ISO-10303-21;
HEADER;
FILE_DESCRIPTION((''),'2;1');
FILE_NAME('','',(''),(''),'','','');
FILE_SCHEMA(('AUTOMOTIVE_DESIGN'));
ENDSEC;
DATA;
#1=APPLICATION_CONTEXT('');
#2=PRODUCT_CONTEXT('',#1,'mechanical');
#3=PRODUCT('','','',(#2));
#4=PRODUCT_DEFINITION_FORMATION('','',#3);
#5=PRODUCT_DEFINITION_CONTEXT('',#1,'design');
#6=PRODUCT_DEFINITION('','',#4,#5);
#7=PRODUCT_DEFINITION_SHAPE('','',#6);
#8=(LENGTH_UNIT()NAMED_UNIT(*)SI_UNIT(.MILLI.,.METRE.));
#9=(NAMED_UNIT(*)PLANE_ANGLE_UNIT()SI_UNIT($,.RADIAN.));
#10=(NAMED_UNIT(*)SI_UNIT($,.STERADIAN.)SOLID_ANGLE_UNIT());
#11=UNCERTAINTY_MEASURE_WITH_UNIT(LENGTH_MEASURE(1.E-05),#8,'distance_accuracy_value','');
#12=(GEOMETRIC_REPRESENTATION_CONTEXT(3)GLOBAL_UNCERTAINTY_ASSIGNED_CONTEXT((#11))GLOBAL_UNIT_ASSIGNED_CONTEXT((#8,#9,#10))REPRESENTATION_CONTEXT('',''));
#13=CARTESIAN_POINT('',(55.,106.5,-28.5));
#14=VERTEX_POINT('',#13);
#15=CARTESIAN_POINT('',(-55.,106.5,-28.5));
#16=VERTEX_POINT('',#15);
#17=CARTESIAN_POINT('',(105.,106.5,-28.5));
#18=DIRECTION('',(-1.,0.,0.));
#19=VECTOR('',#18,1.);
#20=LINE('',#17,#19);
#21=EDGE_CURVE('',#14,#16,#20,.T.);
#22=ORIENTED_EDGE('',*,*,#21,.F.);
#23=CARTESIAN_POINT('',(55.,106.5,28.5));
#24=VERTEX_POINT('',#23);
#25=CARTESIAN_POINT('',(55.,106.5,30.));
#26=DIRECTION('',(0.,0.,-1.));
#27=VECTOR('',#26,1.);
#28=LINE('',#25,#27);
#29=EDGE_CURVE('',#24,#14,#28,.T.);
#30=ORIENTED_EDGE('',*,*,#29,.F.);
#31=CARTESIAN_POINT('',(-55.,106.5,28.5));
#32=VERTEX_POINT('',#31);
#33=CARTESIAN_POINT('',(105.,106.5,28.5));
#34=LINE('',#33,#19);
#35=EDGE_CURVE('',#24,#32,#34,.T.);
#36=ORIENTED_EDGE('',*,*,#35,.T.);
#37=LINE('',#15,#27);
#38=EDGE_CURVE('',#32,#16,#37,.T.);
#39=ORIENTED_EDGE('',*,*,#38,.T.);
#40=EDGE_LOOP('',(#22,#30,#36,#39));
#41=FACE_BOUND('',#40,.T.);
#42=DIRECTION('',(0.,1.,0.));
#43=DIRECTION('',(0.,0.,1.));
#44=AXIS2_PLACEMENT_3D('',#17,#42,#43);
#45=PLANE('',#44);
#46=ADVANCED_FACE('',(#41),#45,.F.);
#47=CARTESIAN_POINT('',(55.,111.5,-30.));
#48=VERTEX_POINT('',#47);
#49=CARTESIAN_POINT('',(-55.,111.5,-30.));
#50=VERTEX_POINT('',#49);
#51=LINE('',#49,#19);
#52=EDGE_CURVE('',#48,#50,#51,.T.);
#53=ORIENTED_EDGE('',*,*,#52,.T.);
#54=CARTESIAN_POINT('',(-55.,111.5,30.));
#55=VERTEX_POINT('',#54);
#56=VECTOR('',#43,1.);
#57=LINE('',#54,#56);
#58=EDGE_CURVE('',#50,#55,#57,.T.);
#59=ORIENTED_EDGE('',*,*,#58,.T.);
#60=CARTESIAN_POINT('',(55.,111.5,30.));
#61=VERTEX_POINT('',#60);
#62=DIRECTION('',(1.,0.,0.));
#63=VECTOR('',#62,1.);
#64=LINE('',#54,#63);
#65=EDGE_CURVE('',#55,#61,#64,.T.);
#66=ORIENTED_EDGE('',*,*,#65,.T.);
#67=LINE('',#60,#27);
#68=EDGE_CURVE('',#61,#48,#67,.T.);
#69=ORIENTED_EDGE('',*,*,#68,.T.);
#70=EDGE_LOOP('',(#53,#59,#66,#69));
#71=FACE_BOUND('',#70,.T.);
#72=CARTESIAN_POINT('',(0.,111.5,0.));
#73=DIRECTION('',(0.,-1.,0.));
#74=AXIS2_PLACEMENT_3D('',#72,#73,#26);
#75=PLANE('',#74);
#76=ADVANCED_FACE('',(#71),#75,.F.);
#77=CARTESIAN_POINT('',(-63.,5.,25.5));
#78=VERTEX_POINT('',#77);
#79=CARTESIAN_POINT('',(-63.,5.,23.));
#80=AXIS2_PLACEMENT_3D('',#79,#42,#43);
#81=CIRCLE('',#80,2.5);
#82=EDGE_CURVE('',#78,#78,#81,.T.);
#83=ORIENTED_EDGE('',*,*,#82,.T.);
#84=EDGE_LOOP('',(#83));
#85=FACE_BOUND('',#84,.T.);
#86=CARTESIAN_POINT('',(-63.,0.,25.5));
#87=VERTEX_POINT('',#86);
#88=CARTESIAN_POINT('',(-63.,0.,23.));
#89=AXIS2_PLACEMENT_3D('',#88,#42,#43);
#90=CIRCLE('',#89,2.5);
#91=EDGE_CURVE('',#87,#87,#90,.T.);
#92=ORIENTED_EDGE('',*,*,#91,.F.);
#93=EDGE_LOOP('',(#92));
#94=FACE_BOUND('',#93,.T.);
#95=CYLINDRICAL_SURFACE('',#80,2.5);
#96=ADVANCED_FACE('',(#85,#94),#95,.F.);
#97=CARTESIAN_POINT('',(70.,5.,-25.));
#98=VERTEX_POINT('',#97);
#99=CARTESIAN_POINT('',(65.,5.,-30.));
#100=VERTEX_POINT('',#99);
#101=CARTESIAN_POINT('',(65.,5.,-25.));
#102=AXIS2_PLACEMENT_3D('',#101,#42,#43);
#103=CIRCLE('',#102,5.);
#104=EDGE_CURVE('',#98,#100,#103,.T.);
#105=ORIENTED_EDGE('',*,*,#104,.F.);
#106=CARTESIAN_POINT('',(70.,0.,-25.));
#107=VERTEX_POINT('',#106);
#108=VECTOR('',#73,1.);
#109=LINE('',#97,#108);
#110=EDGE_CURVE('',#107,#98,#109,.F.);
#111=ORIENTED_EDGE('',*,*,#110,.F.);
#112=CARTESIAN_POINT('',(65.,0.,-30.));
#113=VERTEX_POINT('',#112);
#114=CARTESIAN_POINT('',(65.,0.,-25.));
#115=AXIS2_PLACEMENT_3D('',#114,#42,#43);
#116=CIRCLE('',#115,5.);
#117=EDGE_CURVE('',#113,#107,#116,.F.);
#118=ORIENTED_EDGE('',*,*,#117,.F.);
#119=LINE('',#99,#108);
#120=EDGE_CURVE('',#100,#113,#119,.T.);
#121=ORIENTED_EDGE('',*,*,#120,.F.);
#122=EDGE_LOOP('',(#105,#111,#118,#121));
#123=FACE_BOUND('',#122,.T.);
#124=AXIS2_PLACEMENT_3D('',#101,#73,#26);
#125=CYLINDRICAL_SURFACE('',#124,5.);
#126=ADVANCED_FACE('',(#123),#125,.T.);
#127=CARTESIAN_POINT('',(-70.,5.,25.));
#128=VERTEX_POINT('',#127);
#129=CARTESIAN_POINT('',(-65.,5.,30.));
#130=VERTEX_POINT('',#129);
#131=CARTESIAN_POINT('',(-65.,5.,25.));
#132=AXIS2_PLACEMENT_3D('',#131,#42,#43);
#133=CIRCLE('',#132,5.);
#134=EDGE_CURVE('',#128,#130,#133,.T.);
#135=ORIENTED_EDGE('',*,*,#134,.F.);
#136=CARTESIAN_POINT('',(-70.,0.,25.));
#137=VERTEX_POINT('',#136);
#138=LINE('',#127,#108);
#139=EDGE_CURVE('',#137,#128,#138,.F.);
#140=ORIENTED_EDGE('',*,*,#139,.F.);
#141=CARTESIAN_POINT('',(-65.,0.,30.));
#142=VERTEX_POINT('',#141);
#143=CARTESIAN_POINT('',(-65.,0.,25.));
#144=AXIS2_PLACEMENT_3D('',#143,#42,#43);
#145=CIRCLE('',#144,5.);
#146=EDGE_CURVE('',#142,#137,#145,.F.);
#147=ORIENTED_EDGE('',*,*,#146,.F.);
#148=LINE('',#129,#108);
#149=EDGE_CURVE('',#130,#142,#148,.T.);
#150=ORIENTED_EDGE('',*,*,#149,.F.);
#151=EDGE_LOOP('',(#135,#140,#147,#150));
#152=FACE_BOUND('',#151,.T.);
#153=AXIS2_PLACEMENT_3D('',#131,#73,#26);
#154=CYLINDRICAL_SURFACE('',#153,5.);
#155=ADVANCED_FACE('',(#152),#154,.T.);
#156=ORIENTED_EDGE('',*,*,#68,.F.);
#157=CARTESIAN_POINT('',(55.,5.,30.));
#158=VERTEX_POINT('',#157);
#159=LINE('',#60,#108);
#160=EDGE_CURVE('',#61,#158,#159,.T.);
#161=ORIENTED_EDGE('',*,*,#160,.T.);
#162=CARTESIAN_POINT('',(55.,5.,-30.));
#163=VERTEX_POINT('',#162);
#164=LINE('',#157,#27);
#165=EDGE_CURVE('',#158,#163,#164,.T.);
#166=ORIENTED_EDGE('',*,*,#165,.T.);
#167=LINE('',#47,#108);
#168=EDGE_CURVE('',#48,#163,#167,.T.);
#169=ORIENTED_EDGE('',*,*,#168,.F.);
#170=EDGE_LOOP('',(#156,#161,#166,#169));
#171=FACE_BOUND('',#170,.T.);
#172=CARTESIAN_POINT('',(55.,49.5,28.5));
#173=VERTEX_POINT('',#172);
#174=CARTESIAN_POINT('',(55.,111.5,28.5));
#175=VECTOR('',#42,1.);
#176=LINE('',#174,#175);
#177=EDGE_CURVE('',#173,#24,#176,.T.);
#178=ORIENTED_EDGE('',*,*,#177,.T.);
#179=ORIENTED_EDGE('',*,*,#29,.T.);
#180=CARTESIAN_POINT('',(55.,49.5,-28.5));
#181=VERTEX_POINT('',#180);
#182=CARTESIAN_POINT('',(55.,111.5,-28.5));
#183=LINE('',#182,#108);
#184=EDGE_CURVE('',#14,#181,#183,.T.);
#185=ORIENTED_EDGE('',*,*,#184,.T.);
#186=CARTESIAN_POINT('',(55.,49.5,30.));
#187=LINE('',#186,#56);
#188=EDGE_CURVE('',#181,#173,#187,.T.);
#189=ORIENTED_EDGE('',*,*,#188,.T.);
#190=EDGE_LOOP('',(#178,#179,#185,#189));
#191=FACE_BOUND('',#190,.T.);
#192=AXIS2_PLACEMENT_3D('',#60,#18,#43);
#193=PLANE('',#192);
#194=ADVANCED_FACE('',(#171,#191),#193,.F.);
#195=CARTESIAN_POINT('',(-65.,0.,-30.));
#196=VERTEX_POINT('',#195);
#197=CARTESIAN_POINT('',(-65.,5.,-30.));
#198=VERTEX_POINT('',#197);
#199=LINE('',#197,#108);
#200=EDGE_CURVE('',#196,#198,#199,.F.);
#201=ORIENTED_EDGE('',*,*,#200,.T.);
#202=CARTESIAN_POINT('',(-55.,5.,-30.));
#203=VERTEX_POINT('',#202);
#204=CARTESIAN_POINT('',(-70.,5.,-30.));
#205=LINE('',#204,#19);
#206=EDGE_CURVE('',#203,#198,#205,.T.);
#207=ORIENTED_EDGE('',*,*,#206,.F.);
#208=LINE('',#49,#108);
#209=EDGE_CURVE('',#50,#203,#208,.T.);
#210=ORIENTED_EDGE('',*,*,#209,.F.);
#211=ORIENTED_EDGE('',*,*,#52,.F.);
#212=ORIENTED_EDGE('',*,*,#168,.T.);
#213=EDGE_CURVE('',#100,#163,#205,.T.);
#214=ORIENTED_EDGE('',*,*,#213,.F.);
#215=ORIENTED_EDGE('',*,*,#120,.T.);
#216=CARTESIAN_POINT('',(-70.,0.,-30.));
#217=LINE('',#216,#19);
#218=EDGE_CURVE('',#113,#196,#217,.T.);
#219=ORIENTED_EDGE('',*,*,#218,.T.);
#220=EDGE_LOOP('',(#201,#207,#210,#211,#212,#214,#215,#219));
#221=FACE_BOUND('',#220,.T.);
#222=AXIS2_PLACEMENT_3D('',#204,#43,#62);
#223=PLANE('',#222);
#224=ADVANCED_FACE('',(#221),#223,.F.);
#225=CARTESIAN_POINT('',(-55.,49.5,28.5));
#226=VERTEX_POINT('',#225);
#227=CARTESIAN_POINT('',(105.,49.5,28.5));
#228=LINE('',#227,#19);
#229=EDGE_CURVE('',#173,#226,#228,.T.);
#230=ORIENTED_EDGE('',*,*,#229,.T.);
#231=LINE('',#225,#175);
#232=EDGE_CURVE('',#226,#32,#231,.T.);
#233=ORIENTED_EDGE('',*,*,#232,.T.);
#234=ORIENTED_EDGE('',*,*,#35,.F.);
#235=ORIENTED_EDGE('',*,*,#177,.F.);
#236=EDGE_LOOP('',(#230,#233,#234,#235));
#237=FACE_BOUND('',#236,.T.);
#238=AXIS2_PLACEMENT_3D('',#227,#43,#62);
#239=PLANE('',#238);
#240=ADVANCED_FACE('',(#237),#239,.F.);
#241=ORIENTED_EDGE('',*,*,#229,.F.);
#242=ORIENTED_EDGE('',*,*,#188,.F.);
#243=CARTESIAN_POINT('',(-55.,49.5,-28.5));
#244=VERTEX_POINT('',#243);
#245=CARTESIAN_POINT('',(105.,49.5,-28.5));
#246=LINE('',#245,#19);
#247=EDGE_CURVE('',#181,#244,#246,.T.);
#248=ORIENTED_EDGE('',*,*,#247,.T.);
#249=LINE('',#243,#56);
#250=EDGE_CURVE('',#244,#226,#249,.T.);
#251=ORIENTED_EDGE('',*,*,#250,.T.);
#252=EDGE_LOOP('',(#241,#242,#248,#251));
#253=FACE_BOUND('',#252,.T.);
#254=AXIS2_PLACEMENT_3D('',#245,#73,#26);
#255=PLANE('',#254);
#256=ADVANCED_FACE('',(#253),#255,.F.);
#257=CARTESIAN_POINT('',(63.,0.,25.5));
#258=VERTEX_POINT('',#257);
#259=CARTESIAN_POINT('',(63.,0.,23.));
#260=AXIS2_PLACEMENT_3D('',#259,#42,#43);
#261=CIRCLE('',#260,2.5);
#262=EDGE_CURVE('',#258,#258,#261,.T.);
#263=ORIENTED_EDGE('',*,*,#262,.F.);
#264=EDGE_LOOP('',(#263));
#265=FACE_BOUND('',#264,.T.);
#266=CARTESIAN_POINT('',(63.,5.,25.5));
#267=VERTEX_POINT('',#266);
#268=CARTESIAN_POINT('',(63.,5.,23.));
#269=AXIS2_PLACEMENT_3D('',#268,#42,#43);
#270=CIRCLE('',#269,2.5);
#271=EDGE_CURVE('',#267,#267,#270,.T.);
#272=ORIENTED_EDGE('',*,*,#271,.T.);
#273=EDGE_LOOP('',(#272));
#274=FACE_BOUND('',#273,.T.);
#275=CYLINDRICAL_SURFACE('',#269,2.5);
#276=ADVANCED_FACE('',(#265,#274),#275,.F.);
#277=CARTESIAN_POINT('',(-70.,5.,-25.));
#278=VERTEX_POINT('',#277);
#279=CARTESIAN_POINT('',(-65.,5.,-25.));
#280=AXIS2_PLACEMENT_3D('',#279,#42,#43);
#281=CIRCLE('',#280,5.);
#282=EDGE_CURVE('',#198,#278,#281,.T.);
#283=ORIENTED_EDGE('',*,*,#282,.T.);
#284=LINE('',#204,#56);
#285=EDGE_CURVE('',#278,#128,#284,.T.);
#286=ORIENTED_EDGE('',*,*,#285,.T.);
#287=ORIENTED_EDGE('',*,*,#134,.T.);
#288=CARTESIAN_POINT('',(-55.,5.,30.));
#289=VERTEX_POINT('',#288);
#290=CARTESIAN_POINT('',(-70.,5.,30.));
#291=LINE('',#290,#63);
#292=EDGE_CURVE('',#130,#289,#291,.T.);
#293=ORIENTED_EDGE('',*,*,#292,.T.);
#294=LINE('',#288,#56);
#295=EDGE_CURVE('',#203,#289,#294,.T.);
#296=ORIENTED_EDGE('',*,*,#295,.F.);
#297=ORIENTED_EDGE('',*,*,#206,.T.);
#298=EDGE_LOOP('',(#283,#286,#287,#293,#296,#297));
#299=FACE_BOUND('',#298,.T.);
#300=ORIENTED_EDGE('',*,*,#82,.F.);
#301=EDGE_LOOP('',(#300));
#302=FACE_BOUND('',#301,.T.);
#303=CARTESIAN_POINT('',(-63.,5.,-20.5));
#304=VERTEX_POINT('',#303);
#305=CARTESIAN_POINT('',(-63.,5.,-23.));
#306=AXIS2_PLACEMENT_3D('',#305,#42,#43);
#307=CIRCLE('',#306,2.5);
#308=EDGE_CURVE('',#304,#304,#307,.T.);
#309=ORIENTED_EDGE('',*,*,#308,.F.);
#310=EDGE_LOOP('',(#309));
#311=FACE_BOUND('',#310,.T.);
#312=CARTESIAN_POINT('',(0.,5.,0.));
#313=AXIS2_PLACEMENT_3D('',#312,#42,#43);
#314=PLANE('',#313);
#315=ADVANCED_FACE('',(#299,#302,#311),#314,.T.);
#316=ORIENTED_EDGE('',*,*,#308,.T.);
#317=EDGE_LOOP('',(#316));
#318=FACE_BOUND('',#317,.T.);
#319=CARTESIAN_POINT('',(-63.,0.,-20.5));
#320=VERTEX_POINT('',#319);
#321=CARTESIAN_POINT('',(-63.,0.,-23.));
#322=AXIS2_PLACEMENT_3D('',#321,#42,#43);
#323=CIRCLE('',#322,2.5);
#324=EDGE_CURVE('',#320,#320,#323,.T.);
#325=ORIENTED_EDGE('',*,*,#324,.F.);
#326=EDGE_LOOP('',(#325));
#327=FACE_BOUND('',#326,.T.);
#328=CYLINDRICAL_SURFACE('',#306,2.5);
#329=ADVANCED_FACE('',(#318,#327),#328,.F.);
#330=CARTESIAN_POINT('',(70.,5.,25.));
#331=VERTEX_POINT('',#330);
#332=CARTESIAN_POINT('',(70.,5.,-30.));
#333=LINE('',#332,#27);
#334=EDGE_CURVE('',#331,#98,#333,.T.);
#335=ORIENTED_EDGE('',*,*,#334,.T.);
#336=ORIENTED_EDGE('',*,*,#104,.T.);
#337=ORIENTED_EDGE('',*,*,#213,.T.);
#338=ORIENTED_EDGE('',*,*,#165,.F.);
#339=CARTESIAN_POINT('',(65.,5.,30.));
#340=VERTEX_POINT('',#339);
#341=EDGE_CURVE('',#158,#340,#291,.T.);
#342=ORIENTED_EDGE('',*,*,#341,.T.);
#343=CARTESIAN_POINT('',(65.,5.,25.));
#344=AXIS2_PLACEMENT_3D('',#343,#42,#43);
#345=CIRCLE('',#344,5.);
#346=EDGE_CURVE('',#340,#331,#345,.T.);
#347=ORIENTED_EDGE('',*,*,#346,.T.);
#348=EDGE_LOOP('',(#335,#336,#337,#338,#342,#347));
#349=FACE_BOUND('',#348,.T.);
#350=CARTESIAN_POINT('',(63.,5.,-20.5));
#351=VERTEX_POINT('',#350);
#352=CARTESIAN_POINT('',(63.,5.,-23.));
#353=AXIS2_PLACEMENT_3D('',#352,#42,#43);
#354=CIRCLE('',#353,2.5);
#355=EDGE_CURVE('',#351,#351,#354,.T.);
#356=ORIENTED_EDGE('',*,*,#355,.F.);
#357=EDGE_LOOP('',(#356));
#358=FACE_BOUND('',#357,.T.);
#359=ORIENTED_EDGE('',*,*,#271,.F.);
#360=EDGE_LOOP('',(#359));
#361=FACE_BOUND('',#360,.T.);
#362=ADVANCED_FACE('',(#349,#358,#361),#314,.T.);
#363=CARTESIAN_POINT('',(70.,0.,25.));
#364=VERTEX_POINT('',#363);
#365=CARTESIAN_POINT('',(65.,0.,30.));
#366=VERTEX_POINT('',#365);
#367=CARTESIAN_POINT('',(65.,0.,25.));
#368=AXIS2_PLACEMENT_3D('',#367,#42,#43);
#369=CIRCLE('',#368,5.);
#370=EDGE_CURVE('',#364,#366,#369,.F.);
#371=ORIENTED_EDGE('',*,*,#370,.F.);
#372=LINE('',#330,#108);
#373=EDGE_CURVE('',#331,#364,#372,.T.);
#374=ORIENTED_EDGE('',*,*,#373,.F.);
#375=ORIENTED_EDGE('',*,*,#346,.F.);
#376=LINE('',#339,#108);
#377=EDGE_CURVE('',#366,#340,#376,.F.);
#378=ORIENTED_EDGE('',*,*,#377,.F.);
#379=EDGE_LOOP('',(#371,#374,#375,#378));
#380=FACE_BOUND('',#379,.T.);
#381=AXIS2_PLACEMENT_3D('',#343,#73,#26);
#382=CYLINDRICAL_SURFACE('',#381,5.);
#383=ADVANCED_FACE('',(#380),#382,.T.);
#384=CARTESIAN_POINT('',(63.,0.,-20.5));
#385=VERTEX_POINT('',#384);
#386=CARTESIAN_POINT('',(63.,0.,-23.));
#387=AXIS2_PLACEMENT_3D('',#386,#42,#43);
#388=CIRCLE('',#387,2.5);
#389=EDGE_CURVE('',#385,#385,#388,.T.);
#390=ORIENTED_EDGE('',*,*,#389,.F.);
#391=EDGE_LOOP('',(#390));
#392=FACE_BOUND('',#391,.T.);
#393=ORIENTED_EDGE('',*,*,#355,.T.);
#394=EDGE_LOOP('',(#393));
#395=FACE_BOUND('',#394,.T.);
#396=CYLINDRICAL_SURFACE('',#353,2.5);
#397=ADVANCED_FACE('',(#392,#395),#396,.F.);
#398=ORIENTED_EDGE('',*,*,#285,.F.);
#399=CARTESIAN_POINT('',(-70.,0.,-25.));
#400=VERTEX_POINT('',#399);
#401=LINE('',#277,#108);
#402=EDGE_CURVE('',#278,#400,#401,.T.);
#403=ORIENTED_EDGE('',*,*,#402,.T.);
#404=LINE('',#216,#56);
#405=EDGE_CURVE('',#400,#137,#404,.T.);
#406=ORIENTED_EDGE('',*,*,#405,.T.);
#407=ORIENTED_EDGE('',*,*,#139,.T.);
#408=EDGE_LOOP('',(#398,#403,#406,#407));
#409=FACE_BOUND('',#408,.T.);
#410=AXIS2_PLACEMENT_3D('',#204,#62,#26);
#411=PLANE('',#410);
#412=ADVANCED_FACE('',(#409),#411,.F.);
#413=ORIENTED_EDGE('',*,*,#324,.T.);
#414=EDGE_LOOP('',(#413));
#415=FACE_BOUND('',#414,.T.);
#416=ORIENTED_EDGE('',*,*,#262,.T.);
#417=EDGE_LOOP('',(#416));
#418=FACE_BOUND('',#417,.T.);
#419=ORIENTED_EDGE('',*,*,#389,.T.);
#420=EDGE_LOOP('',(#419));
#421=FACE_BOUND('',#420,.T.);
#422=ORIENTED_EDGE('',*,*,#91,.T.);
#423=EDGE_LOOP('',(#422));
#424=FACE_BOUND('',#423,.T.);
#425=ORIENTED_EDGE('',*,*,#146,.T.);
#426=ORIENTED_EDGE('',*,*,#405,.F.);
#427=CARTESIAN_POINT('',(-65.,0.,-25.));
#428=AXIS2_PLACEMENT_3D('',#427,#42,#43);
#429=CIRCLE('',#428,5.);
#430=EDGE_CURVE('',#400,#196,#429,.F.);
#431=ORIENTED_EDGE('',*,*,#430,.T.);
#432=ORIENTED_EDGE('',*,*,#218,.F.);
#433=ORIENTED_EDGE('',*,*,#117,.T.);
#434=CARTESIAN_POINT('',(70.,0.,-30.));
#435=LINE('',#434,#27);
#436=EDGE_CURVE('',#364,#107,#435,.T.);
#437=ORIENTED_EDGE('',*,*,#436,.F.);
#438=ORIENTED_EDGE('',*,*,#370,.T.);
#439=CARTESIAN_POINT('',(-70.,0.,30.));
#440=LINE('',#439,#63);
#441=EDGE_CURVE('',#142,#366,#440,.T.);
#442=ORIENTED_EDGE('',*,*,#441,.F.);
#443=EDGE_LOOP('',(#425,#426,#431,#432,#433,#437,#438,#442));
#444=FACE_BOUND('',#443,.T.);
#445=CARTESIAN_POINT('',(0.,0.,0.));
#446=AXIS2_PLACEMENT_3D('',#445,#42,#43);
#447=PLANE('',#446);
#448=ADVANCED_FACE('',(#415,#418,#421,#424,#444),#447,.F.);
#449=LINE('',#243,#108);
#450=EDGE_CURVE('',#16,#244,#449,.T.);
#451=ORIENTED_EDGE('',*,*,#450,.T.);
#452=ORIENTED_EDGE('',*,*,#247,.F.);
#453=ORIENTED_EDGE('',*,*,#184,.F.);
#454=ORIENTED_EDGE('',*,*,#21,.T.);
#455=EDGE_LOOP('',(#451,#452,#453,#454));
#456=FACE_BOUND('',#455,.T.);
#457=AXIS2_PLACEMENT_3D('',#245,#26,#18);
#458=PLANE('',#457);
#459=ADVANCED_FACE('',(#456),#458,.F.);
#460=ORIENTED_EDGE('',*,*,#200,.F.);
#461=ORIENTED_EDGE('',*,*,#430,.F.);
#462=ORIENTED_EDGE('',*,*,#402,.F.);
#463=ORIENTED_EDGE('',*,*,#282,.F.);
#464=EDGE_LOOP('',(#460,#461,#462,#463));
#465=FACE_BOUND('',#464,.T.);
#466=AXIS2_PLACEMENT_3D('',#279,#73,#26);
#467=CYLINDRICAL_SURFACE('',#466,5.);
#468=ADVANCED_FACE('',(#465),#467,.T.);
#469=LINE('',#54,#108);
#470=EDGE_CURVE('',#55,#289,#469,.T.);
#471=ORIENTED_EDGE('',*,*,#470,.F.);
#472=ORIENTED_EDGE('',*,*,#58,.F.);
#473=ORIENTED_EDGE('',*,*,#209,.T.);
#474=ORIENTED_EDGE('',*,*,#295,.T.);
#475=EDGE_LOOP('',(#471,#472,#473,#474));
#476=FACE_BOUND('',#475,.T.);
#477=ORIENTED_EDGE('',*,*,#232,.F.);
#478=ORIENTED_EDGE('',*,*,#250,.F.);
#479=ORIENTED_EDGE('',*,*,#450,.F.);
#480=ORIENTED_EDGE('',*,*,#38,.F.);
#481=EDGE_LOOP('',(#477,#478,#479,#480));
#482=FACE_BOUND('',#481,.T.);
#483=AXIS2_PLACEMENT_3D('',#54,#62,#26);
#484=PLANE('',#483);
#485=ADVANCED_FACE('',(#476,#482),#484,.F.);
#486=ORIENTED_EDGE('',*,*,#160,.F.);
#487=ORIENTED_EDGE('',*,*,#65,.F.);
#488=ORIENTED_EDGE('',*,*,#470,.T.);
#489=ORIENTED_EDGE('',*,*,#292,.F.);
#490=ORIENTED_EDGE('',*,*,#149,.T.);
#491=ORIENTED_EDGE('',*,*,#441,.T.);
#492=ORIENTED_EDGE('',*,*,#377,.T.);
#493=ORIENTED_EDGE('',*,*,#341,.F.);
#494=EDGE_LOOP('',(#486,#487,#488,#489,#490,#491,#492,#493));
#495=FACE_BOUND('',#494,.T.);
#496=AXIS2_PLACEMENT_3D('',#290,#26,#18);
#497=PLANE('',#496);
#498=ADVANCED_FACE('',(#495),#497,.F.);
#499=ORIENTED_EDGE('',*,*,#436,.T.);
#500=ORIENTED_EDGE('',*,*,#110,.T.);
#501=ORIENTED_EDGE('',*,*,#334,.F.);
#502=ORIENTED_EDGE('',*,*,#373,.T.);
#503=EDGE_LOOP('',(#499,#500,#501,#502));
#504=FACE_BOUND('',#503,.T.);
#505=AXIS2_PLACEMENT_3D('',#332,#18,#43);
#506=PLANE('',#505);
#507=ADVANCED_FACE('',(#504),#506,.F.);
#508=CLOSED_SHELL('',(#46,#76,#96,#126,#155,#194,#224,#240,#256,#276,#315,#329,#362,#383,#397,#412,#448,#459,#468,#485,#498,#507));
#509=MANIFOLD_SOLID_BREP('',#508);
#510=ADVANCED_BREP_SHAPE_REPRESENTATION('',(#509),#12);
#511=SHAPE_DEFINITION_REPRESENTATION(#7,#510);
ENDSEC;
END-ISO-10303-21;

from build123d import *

# Parameters (mm, degrees)
SKETCH_1_W          = 140
SKETCH_1_H          = 60
EXTRUDE_3_DEPTH     = 5
SKETCH_3_W          = 110
SKETCH_3_H          = 60
EXTRUDE_4_DEPTH     = 106.5
FILLET_1_R          = 5
SKETCH_19_W         = 57
SKETCH_19_H         = 57
CUT_EXTRUDE_1_DEPTH = 160
HOLE_WIZARD_M6_2_D  = 5


with BuildPart() as part:
    # 草图1 → 凸台-拉伸3 (new body)
    with BuildSketch(Plane(origin=(0, 0, 0), x_dir=(1, 0, 0), z_dir=(0, 1, 0))):
        Rectangle(SKETCH_1_W, SKETCH_1_H)
    extrude(amount=EXTRUDE_3_DEPTH)

    # 草图3 → 凸台-拉伸4 (add)
    with BuildSketch(Plane(origin=(0, 5, 0), x_dir=(1, 0, 0), z_dir=(0, 1, 0))):
        Rectangle(SKETCH_3_W, SKETCH_3_H)
    extrude(amount=EXTRUDE_4_DEPTH)

    # 圆角1
    fillet_1_edges = [part.edges().sort_by_distance(p)[0] for p in [
        (70, 2.5, 30),
        (-70, 2.5, 30),
        (-70, 2.5, -30),
        (70, 2.5, -30),
    ]]
    fillet(fillet_1_edges, radius=FILLET_1_R)

    # 草图19 → 切除-拉伸1 (cut)
    with BuildSketch(Plane.ZY.offset(55)):
        with Locations((0, 78)):
            Rectangle(SKETCH_19_W, SKETCH_19_H)
    extrude(amount=-CUT_EXTRUDE_1_DEPTH, mode=Mode.SUBTRACT)

    # M6 螺纹孔2 (through all)
    with Locations(Plane(origin=(0, 5, 0), x_dir=(1, 0, 0), z_dir=(0, 1, 0))):
        with Locations((-63, 23), (63, 23), (63, -23), (-63, -23)):
            Hole(HOLE_WIZARD_M6_2_D / 2)


solid = part.part
